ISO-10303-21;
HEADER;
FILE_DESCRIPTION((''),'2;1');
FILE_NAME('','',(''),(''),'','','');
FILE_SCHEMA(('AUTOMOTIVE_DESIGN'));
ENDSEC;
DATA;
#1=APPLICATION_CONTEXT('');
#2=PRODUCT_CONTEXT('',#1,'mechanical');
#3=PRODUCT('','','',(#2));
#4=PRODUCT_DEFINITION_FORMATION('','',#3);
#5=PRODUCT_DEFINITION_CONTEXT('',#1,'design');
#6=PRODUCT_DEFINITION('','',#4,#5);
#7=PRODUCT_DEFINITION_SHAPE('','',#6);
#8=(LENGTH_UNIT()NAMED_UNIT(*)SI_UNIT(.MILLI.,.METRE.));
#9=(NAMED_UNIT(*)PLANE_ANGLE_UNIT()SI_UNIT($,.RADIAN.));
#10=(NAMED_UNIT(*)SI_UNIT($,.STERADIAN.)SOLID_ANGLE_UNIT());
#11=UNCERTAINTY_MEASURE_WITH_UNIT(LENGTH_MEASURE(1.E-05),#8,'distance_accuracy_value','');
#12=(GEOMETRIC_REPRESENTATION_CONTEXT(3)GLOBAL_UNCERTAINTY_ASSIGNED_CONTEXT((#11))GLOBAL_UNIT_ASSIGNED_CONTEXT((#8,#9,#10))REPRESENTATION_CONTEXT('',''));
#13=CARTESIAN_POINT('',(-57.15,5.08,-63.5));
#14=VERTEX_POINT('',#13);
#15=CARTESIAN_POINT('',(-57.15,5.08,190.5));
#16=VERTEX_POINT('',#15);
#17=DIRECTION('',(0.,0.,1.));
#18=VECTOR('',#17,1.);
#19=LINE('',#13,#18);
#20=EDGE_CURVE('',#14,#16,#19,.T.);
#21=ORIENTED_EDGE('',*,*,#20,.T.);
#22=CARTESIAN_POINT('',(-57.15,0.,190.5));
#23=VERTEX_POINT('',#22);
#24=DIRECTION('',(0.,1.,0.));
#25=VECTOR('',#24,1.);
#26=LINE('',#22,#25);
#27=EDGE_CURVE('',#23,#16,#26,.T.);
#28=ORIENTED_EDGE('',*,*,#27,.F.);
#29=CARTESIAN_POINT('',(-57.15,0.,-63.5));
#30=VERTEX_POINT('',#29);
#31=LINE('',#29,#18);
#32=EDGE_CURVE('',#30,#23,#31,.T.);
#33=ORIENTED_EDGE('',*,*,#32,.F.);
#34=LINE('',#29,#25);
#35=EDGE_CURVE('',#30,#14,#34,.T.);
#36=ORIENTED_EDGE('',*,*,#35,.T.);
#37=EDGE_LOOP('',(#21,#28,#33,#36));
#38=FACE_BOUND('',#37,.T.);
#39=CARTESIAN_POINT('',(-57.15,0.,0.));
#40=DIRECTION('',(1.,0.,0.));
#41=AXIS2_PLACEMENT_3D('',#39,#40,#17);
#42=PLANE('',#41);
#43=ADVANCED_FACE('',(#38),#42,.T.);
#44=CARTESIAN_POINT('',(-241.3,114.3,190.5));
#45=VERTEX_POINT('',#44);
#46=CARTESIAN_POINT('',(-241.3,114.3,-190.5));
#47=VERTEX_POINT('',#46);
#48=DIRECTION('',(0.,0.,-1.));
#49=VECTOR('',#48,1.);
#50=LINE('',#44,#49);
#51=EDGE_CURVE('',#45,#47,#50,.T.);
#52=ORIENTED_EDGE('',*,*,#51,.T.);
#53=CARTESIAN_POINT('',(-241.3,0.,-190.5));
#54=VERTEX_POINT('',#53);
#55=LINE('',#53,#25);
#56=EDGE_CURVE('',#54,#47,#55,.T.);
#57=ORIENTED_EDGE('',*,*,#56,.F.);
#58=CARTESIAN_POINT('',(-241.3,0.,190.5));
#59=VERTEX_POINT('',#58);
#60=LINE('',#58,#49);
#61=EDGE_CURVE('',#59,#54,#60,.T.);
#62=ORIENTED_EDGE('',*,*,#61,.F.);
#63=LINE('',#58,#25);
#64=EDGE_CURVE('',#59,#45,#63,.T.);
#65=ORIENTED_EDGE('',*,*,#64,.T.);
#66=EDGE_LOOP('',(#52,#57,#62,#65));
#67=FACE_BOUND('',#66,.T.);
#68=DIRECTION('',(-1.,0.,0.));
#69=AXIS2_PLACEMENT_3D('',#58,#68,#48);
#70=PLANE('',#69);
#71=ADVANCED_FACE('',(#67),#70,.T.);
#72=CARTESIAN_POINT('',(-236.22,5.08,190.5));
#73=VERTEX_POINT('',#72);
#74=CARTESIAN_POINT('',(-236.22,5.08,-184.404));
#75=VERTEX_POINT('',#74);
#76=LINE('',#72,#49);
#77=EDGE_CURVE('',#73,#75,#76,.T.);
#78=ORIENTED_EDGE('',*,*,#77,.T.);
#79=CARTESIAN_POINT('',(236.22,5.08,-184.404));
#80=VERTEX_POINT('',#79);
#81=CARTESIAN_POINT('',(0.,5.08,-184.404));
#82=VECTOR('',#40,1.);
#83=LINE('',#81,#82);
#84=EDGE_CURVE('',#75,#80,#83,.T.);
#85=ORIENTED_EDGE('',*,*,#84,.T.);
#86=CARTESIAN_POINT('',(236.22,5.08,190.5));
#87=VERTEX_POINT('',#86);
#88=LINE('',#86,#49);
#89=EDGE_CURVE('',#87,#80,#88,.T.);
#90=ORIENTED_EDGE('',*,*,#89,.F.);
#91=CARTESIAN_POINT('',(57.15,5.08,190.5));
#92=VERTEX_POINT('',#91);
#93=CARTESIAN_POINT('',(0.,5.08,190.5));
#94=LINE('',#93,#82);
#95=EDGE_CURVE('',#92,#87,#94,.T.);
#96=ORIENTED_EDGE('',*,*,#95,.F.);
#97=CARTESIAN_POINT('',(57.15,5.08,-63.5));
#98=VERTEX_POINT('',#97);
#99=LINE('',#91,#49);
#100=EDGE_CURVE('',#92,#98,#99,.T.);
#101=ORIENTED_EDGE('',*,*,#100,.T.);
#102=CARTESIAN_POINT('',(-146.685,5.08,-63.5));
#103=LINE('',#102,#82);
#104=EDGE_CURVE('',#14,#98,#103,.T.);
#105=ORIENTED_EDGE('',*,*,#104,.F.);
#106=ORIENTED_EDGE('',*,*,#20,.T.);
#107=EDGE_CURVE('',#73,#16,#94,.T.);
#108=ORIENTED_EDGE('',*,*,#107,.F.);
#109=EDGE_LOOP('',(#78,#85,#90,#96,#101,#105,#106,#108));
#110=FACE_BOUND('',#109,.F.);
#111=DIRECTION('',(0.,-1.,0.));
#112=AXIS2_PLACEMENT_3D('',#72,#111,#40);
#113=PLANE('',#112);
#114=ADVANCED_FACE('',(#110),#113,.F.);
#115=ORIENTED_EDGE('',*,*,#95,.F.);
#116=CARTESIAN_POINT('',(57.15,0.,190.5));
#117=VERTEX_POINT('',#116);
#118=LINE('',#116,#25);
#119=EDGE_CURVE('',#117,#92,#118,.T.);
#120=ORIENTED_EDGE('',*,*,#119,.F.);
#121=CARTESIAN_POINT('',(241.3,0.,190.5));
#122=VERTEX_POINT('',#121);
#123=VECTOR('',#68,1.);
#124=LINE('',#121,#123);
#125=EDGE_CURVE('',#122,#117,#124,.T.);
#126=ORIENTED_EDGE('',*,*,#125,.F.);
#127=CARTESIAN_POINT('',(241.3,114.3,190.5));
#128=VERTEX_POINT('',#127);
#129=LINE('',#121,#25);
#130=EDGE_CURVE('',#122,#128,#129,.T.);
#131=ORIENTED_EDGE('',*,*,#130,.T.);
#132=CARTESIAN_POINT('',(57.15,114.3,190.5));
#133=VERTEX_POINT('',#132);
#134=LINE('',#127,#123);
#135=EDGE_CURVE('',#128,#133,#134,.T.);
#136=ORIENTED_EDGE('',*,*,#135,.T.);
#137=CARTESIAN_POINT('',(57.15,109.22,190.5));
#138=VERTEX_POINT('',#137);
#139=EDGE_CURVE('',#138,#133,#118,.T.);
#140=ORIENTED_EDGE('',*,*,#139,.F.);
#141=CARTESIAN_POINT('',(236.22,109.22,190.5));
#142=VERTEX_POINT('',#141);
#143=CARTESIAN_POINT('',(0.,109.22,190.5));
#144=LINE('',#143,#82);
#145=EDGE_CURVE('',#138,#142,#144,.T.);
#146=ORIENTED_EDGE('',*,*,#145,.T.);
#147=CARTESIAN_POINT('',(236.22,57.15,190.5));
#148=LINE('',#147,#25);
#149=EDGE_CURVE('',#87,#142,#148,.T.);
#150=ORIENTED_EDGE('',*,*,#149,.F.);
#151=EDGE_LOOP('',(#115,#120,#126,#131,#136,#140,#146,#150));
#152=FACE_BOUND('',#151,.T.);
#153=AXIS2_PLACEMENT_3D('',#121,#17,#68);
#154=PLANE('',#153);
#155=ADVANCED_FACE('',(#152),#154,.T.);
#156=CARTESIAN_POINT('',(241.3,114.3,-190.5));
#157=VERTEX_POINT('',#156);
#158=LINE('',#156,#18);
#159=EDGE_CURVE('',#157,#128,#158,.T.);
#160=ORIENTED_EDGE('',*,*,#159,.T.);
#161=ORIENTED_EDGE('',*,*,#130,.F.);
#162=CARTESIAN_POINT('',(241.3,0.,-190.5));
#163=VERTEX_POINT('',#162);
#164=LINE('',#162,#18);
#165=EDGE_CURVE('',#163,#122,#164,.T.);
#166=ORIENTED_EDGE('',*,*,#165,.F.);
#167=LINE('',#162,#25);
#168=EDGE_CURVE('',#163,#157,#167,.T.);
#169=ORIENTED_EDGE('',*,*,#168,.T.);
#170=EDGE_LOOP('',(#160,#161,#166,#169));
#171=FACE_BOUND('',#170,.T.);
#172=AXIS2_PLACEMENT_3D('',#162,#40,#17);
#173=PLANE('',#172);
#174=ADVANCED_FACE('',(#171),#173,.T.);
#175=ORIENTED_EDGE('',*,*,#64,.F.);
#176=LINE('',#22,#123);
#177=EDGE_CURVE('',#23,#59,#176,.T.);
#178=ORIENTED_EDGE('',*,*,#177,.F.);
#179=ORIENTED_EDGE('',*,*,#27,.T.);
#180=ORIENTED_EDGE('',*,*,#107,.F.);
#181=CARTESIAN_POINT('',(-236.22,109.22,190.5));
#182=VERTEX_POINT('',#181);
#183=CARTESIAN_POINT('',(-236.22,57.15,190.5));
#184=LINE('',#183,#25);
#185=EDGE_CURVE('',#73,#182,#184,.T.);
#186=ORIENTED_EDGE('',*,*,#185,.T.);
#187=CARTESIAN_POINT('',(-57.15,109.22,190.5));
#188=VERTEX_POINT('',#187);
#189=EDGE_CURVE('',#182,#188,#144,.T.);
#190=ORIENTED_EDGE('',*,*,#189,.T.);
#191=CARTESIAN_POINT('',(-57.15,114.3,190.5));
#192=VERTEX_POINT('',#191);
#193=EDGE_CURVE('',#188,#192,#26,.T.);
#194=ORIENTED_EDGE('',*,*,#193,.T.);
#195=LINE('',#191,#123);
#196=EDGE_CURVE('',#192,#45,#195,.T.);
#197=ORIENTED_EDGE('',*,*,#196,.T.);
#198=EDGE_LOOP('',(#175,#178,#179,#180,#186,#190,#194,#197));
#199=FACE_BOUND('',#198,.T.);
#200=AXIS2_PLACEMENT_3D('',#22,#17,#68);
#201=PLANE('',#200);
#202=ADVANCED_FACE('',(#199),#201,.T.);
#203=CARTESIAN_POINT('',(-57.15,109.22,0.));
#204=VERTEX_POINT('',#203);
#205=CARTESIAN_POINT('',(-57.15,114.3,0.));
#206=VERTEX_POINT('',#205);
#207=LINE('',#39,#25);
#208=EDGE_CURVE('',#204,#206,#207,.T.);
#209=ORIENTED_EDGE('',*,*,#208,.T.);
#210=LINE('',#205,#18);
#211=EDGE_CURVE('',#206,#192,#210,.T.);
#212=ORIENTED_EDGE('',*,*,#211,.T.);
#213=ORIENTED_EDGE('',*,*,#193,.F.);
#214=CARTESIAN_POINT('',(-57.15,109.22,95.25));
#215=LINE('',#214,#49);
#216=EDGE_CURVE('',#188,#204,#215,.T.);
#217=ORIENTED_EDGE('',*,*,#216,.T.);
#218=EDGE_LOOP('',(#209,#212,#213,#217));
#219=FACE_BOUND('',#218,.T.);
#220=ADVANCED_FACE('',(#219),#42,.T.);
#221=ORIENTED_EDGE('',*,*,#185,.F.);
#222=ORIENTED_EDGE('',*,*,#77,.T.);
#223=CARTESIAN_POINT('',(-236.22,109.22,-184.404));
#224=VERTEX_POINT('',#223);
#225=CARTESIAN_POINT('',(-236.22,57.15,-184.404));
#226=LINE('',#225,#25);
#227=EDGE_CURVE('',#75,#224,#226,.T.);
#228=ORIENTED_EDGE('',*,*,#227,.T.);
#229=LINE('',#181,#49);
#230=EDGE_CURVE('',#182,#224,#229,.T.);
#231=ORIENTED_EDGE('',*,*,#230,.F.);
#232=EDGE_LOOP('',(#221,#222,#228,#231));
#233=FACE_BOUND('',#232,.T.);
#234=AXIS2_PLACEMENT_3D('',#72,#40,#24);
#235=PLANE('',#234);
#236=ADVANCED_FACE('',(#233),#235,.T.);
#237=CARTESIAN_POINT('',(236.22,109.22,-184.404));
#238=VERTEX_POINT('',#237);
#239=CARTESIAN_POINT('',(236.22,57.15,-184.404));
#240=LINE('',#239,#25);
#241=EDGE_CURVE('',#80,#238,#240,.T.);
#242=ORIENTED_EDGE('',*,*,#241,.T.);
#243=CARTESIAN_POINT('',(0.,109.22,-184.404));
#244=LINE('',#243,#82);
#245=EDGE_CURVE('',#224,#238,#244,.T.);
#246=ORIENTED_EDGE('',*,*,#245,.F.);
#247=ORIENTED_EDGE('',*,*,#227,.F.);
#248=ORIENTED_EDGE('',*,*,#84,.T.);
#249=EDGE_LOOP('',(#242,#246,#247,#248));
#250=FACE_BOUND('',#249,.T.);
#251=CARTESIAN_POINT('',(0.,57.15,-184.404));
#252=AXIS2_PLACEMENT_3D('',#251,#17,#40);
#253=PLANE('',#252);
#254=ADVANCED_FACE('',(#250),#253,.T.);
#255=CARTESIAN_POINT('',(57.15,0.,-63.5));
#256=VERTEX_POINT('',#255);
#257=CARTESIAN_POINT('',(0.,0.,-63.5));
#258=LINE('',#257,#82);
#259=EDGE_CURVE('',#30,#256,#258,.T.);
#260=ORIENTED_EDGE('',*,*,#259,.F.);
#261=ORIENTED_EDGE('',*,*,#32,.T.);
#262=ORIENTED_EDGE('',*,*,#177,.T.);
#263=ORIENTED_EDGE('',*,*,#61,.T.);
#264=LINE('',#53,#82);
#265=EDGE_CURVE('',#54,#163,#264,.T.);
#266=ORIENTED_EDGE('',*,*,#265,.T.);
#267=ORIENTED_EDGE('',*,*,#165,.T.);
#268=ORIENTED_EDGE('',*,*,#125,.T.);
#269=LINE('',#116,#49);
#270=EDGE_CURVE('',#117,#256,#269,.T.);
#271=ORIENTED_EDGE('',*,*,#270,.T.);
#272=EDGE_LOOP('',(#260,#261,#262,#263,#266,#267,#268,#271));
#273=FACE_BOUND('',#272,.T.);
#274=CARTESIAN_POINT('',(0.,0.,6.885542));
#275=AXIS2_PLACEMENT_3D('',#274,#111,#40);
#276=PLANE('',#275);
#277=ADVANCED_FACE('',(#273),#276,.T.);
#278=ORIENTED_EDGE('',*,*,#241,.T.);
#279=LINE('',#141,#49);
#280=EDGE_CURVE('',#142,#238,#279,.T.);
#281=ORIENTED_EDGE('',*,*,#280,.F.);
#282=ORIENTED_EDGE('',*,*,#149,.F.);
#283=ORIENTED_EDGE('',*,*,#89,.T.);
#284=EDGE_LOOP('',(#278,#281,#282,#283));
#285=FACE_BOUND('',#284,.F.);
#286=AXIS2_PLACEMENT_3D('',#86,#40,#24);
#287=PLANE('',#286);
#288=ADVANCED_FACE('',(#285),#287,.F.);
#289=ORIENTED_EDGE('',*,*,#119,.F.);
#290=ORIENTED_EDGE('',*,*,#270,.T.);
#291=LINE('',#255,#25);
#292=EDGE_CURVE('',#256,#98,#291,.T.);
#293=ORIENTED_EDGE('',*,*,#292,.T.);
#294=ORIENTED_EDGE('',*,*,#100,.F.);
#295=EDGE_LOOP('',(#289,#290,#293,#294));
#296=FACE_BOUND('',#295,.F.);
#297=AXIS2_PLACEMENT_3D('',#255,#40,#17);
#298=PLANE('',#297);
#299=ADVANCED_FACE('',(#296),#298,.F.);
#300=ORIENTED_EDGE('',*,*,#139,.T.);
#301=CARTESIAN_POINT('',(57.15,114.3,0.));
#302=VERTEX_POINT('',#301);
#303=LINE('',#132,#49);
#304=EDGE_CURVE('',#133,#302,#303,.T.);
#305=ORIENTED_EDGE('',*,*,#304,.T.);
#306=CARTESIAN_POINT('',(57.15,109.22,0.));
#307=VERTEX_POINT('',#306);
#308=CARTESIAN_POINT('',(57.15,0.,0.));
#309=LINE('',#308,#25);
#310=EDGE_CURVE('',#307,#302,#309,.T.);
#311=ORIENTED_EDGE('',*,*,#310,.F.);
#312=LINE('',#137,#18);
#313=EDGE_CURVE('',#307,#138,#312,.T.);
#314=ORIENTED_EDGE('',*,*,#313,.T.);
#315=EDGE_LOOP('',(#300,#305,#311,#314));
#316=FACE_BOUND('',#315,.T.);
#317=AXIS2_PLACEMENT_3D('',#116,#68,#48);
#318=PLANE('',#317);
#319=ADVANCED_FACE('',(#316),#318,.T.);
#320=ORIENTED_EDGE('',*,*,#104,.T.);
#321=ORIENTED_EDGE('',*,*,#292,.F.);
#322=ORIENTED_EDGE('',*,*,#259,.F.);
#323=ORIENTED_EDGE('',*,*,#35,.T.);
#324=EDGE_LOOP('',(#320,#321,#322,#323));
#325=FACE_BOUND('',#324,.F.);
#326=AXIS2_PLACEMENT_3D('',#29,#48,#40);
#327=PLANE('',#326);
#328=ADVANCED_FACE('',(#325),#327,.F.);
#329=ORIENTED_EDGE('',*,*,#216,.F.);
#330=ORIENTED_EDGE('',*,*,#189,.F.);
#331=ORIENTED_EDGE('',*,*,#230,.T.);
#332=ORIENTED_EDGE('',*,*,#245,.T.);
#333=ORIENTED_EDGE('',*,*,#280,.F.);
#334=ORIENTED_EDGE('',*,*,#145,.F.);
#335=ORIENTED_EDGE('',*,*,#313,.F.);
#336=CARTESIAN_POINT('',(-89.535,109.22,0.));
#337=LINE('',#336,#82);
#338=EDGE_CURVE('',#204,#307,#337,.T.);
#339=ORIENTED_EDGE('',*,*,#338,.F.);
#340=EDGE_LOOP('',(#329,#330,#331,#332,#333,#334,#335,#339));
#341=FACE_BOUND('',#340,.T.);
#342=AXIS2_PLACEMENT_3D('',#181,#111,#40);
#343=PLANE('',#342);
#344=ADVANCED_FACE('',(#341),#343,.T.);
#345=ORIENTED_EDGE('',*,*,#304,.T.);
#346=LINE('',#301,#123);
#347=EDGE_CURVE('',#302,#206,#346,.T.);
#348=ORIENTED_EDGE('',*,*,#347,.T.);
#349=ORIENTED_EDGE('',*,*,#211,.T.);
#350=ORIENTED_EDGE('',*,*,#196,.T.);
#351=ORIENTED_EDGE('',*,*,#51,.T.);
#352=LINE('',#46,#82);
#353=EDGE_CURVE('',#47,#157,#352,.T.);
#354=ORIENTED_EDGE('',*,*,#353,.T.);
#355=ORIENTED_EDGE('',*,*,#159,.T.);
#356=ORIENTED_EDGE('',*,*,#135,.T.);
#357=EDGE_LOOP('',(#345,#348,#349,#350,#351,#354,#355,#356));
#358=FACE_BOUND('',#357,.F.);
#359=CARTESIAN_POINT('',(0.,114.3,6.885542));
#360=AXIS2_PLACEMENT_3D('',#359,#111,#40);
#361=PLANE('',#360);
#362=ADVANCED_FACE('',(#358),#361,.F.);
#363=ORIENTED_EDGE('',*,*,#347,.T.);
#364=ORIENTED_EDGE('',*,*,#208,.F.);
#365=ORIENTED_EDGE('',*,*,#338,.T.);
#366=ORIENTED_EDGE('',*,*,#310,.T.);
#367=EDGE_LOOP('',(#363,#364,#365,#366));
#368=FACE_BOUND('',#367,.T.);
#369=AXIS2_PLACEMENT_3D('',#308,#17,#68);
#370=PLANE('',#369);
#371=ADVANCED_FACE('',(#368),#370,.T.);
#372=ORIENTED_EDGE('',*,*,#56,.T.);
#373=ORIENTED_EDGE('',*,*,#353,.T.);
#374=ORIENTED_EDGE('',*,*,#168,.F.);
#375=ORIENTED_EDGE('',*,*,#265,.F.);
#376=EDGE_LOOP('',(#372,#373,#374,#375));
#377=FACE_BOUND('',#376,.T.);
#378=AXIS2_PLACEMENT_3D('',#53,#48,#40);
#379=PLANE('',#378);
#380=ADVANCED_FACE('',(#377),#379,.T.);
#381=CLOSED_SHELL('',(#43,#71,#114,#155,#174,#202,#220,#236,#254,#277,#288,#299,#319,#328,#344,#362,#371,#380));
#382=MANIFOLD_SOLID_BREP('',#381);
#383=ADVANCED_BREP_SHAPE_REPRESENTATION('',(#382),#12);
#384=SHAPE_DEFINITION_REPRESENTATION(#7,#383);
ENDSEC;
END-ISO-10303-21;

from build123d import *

# Parameters (mm, degrees)
F1_DEPTH = 114.3
F2_W     = 472.44
F2_H     = 104.14
F3_DEPTH = 374.904
F4_W     = 114.3
F4_H     = 63.5
F5_DEPTH = 25.4


with BuildPart() as f1:
    # F0 (on Front) → F1 (new body)
    with BuildSketch(Plane.XZ):
        Polygon((-241.3, -190.5), (241.3, -190.5), (241.3, 190.5), (57.15, 190.5), (57.15, 0), (-57.15, 0), (-57.15, 190.5), (-241.3, 190.5), align=None)
    extrude(amount=-F1_DEPTH)

    # F2 (on face) → F3 (cut)
    with BuildSketch(Plane.XY.offset(190.5)):
        with Locations((0, 57.15)):
            Rectangle(F2_W, F2_H)
    extrude(amount=-F3_DEPTH, mode=Mode.SUBTRACT)

    # F4 (on face) → F5 (cut)
    with BuildSketch(Plane.XZ):
        with Locations((0, -31.75)):
            Rectangle(F4_W, F4_H)
    extrude(amount=-F5_DEPTH, mode=Mode.SUBTRACT)


solid = f1.part
